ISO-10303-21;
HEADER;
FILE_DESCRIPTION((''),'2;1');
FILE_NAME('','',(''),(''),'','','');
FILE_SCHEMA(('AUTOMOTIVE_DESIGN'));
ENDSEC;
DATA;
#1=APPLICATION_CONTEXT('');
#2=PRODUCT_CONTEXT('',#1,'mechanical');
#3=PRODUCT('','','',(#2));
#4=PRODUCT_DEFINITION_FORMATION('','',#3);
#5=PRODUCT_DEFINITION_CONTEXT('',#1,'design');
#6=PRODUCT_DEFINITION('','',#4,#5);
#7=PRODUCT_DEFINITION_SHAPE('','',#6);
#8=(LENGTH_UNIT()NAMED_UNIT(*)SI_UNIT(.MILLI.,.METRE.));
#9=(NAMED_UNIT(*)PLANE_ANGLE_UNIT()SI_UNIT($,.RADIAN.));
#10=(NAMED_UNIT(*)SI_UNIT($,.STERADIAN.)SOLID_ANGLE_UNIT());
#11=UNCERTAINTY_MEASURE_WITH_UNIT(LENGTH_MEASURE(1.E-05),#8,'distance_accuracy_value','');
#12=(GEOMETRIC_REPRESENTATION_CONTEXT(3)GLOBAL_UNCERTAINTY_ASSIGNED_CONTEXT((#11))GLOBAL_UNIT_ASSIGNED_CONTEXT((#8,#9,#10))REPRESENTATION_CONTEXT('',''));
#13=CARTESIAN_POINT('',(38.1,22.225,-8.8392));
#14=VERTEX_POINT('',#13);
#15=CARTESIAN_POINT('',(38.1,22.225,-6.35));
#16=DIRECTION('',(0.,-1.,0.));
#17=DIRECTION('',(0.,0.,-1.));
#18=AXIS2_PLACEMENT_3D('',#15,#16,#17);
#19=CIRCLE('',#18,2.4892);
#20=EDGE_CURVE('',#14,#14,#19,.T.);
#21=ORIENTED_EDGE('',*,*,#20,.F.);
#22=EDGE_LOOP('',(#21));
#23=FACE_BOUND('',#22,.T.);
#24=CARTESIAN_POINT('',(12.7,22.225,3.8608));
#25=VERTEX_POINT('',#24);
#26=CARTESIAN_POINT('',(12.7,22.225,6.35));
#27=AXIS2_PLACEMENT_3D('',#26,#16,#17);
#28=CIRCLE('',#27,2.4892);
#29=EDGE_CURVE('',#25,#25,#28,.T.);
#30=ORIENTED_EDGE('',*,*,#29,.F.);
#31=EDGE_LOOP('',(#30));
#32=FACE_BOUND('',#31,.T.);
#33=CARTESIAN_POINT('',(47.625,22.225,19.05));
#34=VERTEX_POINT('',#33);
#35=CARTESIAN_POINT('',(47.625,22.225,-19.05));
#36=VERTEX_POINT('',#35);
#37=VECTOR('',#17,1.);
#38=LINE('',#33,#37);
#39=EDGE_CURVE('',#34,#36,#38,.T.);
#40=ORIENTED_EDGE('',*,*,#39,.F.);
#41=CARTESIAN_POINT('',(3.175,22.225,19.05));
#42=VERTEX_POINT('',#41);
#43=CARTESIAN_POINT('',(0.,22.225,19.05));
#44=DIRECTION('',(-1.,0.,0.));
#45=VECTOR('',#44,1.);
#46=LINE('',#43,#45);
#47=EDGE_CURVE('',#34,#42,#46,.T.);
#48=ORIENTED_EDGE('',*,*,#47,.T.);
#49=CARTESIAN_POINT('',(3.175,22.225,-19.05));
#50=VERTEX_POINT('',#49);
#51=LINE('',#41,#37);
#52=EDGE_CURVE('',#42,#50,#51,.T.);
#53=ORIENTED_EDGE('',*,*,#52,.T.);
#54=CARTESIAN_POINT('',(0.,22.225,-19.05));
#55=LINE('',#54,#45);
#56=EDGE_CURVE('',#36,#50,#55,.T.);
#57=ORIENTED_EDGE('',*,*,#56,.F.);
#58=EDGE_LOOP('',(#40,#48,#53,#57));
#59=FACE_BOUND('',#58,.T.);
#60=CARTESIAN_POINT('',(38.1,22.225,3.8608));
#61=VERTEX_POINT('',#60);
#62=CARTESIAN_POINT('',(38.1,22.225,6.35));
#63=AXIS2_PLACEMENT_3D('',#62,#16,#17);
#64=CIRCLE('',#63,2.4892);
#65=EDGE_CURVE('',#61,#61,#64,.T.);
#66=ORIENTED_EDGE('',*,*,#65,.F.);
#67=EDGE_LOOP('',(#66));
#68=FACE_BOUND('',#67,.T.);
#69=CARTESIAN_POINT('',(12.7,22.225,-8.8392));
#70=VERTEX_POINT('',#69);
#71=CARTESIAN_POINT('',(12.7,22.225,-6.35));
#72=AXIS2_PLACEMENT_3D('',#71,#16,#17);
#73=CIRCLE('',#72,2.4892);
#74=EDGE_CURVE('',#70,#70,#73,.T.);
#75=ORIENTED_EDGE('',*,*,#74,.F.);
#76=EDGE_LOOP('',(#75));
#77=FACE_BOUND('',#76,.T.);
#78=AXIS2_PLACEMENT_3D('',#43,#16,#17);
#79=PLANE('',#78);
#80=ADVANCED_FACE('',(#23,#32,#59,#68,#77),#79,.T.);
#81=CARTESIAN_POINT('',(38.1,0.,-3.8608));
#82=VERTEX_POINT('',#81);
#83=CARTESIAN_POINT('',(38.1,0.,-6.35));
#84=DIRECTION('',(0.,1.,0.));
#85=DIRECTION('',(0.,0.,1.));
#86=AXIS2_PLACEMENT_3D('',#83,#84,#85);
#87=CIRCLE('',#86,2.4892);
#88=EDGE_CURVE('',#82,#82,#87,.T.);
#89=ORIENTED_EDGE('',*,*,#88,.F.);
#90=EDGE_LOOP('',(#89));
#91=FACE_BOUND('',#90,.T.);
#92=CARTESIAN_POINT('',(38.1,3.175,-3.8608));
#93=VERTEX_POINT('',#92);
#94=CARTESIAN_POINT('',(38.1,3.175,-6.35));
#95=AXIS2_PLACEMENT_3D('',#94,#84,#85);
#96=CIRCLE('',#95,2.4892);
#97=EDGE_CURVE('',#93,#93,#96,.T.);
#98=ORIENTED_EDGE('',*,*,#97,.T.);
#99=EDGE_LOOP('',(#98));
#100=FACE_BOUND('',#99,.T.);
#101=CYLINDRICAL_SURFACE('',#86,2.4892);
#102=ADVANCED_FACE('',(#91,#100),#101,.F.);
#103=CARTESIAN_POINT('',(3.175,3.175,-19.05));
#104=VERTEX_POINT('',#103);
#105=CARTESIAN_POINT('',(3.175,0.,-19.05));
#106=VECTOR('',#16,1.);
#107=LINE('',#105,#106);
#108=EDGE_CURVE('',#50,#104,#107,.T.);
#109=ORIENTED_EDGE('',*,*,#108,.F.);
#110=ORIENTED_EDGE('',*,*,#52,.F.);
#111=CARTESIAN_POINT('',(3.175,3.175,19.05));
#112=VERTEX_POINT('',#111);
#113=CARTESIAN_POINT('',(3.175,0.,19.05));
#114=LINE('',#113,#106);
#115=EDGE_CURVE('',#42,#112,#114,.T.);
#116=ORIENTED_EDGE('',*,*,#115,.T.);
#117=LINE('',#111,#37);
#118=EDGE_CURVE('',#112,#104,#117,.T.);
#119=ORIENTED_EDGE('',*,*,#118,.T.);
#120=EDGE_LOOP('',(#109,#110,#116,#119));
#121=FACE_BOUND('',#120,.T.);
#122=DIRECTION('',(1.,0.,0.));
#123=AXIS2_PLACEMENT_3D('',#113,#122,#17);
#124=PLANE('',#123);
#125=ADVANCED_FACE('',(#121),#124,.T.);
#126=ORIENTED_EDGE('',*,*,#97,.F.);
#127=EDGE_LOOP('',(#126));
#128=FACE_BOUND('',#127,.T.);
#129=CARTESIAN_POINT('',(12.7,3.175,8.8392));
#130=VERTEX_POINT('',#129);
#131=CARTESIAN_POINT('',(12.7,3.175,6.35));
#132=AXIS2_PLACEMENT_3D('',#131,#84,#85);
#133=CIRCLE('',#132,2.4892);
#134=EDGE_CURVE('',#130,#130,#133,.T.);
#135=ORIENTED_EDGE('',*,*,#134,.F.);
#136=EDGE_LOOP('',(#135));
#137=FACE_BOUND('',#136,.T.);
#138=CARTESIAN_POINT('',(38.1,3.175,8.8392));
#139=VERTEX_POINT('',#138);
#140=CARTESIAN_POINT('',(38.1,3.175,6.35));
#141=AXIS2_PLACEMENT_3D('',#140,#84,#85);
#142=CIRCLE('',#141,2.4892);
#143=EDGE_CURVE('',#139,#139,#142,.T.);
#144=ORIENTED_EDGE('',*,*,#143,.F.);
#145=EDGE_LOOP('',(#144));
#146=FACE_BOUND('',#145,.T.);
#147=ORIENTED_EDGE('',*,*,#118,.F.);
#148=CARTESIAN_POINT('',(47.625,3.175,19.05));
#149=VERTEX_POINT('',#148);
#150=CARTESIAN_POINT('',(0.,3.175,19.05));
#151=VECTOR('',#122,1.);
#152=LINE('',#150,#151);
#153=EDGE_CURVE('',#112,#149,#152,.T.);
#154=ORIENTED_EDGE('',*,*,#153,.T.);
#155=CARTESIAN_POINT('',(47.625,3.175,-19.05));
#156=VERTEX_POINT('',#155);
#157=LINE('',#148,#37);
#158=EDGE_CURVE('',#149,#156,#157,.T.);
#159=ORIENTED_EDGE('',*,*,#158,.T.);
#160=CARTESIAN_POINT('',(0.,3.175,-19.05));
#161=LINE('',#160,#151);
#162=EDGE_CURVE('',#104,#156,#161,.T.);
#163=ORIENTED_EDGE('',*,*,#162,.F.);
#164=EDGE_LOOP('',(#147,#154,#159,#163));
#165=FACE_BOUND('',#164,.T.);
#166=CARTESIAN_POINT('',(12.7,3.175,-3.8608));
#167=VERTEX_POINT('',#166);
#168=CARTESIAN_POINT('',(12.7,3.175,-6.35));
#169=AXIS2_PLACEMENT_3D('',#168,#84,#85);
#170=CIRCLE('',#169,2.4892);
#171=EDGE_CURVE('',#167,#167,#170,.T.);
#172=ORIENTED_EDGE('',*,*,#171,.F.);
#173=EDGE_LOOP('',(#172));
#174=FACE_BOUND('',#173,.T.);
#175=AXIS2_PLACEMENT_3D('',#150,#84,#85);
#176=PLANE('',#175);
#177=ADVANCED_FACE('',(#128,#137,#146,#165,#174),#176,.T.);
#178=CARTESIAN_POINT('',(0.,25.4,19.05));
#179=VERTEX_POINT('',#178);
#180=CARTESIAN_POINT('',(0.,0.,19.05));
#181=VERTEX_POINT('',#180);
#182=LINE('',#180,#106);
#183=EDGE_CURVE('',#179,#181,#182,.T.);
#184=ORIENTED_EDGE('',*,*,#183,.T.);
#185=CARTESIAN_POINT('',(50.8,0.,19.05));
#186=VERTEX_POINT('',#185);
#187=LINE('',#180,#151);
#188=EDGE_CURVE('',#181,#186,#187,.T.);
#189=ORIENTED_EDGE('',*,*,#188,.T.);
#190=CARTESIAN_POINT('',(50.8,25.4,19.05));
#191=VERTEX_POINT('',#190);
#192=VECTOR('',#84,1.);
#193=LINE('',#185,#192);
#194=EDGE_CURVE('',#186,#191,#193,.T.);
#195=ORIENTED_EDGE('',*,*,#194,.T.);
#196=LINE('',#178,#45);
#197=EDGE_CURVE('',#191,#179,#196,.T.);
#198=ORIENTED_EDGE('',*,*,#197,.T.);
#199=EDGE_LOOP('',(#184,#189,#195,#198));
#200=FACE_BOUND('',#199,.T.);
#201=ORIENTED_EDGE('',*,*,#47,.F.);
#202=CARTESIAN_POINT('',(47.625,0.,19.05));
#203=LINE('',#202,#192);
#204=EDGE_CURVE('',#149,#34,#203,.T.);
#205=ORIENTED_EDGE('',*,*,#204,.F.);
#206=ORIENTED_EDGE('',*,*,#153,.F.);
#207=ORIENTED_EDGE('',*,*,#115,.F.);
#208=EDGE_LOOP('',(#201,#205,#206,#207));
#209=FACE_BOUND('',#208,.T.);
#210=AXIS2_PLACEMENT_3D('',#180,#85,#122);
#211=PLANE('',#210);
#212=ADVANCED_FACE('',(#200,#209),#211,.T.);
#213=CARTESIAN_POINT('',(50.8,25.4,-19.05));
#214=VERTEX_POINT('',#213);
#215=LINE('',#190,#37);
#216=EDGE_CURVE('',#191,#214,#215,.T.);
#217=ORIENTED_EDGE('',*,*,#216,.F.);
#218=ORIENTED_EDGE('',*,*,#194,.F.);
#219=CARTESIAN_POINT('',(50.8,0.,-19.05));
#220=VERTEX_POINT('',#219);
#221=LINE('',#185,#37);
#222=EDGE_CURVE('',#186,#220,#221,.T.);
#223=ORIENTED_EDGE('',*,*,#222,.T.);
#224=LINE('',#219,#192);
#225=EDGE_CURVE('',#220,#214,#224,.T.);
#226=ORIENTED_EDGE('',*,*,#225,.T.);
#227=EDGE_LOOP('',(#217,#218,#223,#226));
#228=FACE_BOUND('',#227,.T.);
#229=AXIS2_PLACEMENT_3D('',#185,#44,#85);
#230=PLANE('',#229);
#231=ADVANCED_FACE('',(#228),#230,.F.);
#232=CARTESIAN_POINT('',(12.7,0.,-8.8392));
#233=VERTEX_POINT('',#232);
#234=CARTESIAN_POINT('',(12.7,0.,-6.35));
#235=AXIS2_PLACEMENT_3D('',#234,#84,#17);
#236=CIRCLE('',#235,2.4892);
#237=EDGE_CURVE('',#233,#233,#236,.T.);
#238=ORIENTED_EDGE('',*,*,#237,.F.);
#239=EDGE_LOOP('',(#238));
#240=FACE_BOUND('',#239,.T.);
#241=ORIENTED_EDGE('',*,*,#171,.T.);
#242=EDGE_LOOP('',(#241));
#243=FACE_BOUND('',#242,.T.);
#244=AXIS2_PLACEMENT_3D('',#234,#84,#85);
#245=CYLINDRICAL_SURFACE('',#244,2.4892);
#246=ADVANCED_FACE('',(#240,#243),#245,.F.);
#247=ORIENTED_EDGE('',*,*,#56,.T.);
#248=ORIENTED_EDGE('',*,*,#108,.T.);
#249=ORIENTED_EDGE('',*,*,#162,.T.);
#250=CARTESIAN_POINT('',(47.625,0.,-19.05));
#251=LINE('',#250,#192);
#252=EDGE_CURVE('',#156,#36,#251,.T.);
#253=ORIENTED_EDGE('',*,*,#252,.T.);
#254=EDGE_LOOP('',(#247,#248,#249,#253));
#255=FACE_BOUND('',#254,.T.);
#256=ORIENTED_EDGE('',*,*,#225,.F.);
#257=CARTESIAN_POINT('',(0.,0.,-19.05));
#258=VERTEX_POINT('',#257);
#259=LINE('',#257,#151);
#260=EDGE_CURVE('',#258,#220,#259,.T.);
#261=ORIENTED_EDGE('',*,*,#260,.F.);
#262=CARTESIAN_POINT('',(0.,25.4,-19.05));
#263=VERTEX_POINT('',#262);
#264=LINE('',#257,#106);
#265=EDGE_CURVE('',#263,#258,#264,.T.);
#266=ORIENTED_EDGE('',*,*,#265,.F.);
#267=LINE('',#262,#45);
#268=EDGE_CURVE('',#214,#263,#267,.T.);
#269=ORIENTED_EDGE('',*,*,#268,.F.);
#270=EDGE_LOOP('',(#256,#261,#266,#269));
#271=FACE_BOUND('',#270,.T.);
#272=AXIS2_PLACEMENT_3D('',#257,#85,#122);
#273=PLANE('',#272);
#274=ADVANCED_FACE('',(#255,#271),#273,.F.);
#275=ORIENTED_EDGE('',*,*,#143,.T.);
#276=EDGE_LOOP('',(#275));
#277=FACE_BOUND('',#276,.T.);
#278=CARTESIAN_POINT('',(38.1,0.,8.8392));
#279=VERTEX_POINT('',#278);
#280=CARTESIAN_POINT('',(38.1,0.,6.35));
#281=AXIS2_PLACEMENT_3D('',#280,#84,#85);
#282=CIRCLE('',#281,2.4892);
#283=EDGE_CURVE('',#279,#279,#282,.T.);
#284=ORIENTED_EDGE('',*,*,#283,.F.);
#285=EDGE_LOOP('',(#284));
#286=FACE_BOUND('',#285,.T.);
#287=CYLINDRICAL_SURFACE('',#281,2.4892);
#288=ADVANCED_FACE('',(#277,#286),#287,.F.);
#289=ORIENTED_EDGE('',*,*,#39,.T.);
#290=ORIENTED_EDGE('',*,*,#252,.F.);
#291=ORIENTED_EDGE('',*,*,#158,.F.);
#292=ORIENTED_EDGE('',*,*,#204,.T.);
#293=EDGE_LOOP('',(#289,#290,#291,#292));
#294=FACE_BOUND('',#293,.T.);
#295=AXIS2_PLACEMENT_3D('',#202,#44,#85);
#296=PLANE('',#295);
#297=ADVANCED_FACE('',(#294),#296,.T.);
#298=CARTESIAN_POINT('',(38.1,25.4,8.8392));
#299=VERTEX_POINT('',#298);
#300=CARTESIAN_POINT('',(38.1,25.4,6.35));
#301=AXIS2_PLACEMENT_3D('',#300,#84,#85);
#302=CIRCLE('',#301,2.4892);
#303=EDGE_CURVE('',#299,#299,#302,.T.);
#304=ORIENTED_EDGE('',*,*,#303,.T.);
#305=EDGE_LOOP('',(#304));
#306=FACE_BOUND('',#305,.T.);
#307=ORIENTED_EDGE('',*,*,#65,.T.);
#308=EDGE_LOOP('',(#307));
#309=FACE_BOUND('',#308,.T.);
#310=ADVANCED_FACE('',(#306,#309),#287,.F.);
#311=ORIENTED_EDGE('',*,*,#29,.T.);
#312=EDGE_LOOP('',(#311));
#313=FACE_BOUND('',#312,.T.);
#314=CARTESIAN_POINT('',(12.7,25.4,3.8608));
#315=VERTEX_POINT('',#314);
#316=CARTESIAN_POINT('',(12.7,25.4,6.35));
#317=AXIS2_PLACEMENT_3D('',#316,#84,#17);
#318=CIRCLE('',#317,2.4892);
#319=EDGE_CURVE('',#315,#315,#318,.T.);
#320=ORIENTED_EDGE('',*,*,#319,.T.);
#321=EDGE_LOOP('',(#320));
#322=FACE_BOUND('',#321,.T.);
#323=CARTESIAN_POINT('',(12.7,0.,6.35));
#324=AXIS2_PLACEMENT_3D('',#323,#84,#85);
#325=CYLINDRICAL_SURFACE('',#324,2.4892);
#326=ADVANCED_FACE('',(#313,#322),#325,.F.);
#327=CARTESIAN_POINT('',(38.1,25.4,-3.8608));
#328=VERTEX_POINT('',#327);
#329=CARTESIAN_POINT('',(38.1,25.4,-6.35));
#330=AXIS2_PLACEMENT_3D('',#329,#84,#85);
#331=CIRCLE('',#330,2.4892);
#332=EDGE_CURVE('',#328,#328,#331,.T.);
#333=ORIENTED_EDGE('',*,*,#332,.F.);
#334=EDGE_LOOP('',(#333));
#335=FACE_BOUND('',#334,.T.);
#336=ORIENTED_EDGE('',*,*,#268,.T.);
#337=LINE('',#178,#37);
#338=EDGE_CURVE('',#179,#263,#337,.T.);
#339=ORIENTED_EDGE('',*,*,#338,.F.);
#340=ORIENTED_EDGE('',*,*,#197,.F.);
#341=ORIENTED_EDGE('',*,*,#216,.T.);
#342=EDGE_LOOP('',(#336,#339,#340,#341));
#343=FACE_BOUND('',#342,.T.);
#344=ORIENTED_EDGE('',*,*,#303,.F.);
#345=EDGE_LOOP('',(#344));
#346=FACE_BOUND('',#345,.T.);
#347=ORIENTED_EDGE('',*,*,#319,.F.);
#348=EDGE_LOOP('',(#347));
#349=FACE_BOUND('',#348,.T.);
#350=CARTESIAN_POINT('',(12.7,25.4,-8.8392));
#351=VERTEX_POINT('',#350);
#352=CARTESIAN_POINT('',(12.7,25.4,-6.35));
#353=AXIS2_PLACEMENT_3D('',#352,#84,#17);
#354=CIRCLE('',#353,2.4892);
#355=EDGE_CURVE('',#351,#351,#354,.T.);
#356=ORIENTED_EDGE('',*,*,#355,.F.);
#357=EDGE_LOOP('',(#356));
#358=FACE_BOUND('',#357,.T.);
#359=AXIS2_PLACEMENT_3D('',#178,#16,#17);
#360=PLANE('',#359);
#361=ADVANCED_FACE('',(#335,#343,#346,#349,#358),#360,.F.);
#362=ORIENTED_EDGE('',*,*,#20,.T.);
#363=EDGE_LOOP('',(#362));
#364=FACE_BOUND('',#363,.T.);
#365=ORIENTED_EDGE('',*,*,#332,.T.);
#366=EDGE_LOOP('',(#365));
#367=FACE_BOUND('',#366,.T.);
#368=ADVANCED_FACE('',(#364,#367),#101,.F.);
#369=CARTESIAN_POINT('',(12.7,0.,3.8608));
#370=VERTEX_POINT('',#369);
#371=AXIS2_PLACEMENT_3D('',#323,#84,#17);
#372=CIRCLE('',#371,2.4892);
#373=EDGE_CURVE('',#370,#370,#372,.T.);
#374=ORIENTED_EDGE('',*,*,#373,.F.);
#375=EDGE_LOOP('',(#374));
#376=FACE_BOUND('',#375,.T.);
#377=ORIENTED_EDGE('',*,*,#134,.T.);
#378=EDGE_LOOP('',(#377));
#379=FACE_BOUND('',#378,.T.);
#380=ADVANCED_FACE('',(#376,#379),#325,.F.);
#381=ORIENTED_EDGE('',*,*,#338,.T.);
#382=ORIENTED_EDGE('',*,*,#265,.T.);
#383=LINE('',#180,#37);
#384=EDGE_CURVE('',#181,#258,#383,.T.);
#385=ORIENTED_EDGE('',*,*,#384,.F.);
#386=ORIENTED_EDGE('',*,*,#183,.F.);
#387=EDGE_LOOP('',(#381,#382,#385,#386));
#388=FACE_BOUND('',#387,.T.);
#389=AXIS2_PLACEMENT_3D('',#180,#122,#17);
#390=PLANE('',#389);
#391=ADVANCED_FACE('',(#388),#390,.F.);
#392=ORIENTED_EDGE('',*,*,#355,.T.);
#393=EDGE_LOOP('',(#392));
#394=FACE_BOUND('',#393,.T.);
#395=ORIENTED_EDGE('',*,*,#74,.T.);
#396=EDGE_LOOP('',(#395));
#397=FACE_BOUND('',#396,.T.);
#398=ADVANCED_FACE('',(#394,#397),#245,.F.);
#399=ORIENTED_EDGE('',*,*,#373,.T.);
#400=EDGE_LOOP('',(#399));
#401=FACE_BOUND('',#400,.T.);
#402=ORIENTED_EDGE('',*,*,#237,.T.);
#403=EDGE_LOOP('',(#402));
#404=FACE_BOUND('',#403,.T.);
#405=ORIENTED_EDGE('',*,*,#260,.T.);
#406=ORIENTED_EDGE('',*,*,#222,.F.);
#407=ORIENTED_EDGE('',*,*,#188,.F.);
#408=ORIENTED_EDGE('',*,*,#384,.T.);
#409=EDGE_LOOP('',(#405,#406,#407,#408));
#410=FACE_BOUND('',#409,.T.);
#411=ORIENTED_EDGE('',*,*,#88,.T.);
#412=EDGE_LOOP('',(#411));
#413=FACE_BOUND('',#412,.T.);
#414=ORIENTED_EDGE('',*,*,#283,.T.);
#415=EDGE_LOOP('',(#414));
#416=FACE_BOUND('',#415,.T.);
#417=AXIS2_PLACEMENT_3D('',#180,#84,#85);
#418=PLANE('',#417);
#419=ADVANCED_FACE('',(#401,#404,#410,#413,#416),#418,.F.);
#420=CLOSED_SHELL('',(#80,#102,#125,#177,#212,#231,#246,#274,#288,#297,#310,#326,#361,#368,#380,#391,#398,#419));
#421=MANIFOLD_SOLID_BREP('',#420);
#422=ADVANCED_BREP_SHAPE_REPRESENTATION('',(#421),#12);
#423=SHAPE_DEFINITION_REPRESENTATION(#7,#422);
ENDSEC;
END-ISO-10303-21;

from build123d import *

# Parameters (mm, degrees)
SKETCH1_W           = 50.8
SKETCH1_H           = 25.4
SKETCH1_W_2         = 44.45
SKETCH1_H_2         = 19.05
EXTRUDE_THIN1_DEPTH = 19.05
SKETCH2_R           = 2.4892
CUT_EXTRUDE1_DEPTH  = 26.4


with BuildPart() as part:
    # Sketch1 → Extrude-Thin1 (new body, symmetric)
    with BuildSketch(Plane.XY):
        with Locations((25.4, 12.7)):
            Rectangle(SKETCH1_W, SKETCH1_H)
        with Locations((25.4, 12.7)):
            Rectangle(SKETCH1_W_2, SKETCH1_H_2, mode=Mode.SUBTRACT)
    extrude(amount=EXTRUDE_THIN1_DEPTH, both=True)

    # Sketch2 → Cut-Extrude1 (cut, through all)
    with BuildSketch(Plane(origin=(0, 25.4, 0), x_dir=(1, 0, 0), z_dir=(0, 1, 0))):
        with Locations((38.1, 6.35)):
            Circle(SKETCH2_R)
        with Locations((38.1, -6.35)):
            Circle(SKETCH2_R)
        with Locations((12.7, -6.35)):
            Circle(SKETCH2_R)
        with Locations((12.7, 6.35)):
            Circle(SKETCH2_R)
    extrude(amount=-CUT_EXTRUDE1_DEPTH, mode=Mode.SUBTRACT)


solid = part.part
